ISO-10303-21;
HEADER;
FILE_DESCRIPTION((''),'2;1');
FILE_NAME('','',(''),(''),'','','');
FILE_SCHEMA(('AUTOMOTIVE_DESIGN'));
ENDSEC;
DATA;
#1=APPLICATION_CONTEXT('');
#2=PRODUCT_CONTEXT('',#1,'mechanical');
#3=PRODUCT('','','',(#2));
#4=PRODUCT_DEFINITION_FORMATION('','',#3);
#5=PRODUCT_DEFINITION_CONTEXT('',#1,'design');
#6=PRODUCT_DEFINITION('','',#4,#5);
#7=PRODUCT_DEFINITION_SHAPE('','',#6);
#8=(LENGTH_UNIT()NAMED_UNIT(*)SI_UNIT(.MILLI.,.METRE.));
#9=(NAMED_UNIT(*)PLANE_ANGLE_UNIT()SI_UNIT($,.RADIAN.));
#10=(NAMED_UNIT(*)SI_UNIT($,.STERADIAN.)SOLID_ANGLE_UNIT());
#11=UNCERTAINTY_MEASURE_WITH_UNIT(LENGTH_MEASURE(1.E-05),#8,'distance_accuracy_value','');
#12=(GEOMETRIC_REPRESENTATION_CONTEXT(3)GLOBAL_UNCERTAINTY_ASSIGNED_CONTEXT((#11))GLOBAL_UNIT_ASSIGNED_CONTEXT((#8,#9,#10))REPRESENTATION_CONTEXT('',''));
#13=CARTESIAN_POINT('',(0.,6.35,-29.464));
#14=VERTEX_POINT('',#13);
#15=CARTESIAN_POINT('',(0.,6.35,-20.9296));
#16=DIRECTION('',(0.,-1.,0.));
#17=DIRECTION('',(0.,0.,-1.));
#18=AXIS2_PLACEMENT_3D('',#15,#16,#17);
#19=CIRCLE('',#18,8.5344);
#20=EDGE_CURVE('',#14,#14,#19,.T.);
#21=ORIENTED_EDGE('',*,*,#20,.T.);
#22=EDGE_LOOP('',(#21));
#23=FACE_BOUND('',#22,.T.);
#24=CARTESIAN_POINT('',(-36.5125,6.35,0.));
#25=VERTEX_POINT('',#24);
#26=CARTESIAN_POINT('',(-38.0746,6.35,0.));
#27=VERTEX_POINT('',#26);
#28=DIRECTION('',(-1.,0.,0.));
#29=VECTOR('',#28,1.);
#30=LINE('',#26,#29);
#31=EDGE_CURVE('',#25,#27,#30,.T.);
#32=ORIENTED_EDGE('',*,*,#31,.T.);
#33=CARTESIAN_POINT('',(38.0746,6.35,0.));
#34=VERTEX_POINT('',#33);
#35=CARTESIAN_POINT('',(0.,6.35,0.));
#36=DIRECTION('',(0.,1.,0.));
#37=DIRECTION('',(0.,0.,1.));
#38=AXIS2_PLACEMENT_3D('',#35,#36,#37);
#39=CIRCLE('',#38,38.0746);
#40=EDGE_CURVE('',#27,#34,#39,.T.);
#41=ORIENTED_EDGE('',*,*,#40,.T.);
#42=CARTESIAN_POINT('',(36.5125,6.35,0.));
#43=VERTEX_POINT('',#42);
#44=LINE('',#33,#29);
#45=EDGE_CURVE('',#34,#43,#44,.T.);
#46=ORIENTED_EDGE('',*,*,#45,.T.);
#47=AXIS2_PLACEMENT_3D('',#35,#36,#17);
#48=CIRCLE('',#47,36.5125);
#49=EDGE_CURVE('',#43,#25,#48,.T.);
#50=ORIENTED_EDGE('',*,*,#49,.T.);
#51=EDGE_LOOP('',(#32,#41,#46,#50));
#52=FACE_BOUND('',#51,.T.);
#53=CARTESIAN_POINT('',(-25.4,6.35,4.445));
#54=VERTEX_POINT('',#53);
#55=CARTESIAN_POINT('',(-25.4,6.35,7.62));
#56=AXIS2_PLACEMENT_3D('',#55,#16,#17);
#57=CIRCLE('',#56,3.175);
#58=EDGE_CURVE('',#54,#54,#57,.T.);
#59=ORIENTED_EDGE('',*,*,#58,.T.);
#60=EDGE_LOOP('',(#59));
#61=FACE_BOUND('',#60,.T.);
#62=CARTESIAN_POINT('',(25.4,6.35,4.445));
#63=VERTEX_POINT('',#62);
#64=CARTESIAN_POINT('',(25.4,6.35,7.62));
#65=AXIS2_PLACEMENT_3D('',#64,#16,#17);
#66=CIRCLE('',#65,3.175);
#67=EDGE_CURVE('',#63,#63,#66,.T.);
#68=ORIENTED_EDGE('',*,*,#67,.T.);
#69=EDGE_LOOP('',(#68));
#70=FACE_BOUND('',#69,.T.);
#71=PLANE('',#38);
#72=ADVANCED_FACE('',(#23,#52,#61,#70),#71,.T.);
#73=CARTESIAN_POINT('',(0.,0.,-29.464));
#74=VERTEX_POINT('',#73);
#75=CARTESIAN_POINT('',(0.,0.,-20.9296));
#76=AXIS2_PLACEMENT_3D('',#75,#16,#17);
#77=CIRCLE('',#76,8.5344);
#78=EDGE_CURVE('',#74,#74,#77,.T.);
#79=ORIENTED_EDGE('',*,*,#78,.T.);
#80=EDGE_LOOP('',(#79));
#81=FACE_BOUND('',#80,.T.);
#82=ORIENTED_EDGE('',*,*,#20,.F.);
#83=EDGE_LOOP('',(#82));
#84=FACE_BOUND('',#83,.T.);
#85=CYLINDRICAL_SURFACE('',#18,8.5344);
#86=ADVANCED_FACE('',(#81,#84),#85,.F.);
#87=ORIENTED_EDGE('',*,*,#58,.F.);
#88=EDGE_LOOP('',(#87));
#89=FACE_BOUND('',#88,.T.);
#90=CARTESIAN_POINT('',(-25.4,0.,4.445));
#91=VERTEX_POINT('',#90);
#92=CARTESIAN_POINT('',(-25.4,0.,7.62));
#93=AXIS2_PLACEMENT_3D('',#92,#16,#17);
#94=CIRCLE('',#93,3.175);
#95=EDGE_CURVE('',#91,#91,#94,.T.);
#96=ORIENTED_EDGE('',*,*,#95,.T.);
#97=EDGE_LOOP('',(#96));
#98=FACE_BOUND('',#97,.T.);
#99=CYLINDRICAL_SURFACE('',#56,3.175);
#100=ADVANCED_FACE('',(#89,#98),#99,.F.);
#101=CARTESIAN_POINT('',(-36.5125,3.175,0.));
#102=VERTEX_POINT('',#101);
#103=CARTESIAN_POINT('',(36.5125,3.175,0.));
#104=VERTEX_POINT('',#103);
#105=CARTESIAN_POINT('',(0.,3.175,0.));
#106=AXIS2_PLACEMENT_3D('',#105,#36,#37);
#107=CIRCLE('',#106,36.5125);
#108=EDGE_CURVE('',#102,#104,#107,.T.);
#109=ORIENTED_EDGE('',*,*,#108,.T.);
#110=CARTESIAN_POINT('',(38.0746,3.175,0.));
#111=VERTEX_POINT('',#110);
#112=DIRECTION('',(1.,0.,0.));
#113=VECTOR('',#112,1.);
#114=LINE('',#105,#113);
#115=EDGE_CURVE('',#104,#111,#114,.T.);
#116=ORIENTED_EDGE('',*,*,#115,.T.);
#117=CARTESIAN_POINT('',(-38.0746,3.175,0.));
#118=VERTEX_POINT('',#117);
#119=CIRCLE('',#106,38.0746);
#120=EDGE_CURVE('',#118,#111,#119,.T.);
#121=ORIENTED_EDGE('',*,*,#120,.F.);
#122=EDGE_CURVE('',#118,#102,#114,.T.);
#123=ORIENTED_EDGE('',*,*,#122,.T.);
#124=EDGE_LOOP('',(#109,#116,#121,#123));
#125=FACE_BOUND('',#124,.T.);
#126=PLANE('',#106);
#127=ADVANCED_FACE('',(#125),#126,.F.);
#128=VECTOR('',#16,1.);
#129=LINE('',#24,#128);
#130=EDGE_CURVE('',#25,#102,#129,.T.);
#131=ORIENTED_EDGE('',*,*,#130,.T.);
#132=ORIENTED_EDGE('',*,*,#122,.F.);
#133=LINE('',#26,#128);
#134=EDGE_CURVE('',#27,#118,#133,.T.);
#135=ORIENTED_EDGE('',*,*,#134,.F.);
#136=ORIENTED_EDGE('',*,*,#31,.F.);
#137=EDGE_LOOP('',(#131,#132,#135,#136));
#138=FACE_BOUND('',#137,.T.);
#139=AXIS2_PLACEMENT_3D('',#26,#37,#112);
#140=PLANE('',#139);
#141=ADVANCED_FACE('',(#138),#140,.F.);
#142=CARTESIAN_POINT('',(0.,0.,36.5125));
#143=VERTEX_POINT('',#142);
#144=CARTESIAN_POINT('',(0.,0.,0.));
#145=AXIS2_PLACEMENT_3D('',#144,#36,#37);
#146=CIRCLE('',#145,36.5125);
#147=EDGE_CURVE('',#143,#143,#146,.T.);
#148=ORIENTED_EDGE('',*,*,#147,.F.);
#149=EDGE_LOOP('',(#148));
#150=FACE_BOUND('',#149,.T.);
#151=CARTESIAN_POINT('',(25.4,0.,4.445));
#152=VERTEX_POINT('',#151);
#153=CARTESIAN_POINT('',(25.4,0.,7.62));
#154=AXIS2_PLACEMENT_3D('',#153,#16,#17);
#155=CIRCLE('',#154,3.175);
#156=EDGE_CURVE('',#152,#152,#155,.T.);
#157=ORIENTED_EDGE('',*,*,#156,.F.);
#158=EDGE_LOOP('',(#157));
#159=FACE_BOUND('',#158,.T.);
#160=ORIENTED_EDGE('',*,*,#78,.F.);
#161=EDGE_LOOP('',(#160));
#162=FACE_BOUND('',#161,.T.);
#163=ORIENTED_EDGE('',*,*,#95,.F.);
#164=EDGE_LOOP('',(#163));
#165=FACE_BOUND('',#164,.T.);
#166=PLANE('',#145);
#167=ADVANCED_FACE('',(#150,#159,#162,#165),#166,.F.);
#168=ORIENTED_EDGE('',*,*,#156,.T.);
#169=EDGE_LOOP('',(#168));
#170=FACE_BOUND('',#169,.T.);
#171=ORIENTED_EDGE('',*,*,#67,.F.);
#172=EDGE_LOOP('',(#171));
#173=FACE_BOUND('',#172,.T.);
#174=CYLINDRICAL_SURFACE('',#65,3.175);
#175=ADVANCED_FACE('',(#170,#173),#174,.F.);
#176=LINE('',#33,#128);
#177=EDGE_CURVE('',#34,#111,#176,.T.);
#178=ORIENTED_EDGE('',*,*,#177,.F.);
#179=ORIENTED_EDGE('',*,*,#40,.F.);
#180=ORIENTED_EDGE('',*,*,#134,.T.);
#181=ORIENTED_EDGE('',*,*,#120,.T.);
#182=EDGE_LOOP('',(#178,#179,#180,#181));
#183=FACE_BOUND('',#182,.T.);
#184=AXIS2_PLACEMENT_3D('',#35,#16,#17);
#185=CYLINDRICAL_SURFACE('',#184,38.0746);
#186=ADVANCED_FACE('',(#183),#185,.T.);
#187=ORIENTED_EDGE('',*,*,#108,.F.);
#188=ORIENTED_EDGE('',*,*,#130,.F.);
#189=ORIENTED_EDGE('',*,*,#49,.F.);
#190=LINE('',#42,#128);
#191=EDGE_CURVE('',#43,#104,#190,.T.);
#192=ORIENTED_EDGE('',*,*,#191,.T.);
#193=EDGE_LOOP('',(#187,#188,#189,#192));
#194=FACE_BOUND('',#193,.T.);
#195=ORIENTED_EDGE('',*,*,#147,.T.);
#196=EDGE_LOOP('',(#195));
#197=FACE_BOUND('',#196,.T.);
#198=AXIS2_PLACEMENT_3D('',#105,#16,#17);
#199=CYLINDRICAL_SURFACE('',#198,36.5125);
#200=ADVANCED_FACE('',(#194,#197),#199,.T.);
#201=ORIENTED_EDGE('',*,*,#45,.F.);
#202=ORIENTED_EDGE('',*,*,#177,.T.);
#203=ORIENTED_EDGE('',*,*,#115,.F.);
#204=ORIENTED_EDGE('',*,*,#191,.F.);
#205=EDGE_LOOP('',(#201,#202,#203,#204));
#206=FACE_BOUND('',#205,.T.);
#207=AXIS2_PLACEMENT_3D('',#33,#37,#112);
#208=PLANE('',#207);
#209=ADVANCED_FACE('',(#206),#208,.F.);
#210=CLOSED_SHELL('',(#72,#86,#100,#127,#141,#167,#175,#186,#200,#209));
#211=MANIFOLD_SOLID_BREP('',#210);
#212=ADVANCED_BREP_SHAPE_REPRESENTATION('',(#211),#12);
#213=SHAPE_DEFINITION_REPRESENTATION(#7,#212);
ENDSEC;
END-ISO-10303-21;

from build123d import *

# Parameters (mm, degrees)
SKETCH1_R           = 36.5125
BOSS_EXTRUDE1_DEPTH = 3.175
SKETCH2_R           = 38.0746
BOSS_EXTRUDE2_DEPTH = 3.175
SKETCH3_R           = 5.08
CUT_EXTRUDE1_DEPTH  = 55.218749804
SKETCH7_R           = 3.175
CUT_EXTRUDE4_DEPTH  = 55.218749804
SKETCH8_R           = 8.5344
CUT_EXTRUDE5_DEPTH  = 55.218749804
BOSS_EXTRUDE3_START = -6.35
SKETCH9_R           = 3.175
BOSS_EXTRUDE3_DEPTH = 6.35
SKETCH10_R          = 3.175
CUT_EXTRUDE6_DEPTH  = 55.218749804


with BuildPart() as part:
    # Sketch1 → Boss-Extrude1 (new body)
    with BuildSketch(Plane(origin=(0, 0, 0), x_dir=(1, 0, 0), z_dir=(0, 1, 0))):
        with Locations(Location((0, 0, 0), (0, 0, 270))):
            Circle(SKETCH1_R)
    extrude(amount=BOSS_EXTRUDE1_DEPTH)

    # Sketch2 → Boss-Extrude2 (add)
    with BuildSketch(Plane(origin=(0, 3.175, 0), x_dir=(1, 0, 0), z_dir=(0, 1, 0))):
        with Locations(Location((0, 0, 0), (0, 0, 270))):
            Circle(SKETCH2_R)
    extrude(amount=BOSS_EXTRUDE2_DEPTH)

    # Sketch3 → Cut-Extrude1 (cut, through all)
    with BuildSketch(Plane.XZ):
        with Locations(Location((0, -20.9296, 0), (0, 0, 270))):
            Circle(SKETCH3_R)
    extrude(amount=-CUT_EXTRUDE1_DEPTH, mode=Mode.SUBTRACT)

    # Sketch7 → Cut-Extrude4 (cut, through all)
    with BuildSketch(Plane(origin=(0, 6.35, 0), x_dir=(1, 0, 0), z_dir=(0, 1, 0))):
        with Locations(Location((-25.4, 0, 0), (0, 0, 270))):
            Circle(SKETCH7_R)
        with Locations(Location((25.4, 0, 0), (0, 0, 270))):
            Circle(SKETCH7_R)
    extrude(amount=-CUT_EXTRUDE4_DEPTH, mode=Mode.SUBTRACT)

    # Sketch8 → Cut-Extrude5 (cut, through all)
    with BuildSketch(Plane.XZ):
        with Locations(Location((0, -20.9296, 0), (0, 0, 270))):
            Circle(SKETCH8_R)
        with BuildLine():
            Line((-38.0746, 0), (-36.5125, 0))
            ThreePointArc((-36.5125, 0), (0, -36.5125), (36.5125, 0))
            Line((36.5125, 0), (38.0746, 0))
            ThreePointArc((38.0746, 0), (0, -38.0746), (-38.0746, 0))
        make_face()
    extrude(amount=-CUT_EXTRUDE5_DEPTH, mode=Mode.SUBTRACT)

    # Sketch9 → Boss-Extrude3 (add)
    with BuildSketch(Plane.XZ.offset(BOSS_EXTRUDE3_START)):
        with Locations((-25.4, 0)):
            Circle(SKETCH9_R)
        with Locations((25.4, 0)):
            Circle(SKETCH9_R)
    extrude(amount=BOSS_EXTRUDE3_DEPTH)

    # Sketch10 → Cut-Extrude6 (cut, through all)
    with BuildSketch(Plane.XZ):
        with Locations(Location((-25.4, 7.62, 0), (0, 0, 270))):
            Circle(SKETCH10_R)
        with Locations(Location((25.4, 7.62, 0), (0, 0, 270))):
            Circle(SKETCH10_R)
    extrude(amount=-CUT_EXTRUDE6_DEPTH, mode=Mode.SUBTRACT)


solid = part.part
